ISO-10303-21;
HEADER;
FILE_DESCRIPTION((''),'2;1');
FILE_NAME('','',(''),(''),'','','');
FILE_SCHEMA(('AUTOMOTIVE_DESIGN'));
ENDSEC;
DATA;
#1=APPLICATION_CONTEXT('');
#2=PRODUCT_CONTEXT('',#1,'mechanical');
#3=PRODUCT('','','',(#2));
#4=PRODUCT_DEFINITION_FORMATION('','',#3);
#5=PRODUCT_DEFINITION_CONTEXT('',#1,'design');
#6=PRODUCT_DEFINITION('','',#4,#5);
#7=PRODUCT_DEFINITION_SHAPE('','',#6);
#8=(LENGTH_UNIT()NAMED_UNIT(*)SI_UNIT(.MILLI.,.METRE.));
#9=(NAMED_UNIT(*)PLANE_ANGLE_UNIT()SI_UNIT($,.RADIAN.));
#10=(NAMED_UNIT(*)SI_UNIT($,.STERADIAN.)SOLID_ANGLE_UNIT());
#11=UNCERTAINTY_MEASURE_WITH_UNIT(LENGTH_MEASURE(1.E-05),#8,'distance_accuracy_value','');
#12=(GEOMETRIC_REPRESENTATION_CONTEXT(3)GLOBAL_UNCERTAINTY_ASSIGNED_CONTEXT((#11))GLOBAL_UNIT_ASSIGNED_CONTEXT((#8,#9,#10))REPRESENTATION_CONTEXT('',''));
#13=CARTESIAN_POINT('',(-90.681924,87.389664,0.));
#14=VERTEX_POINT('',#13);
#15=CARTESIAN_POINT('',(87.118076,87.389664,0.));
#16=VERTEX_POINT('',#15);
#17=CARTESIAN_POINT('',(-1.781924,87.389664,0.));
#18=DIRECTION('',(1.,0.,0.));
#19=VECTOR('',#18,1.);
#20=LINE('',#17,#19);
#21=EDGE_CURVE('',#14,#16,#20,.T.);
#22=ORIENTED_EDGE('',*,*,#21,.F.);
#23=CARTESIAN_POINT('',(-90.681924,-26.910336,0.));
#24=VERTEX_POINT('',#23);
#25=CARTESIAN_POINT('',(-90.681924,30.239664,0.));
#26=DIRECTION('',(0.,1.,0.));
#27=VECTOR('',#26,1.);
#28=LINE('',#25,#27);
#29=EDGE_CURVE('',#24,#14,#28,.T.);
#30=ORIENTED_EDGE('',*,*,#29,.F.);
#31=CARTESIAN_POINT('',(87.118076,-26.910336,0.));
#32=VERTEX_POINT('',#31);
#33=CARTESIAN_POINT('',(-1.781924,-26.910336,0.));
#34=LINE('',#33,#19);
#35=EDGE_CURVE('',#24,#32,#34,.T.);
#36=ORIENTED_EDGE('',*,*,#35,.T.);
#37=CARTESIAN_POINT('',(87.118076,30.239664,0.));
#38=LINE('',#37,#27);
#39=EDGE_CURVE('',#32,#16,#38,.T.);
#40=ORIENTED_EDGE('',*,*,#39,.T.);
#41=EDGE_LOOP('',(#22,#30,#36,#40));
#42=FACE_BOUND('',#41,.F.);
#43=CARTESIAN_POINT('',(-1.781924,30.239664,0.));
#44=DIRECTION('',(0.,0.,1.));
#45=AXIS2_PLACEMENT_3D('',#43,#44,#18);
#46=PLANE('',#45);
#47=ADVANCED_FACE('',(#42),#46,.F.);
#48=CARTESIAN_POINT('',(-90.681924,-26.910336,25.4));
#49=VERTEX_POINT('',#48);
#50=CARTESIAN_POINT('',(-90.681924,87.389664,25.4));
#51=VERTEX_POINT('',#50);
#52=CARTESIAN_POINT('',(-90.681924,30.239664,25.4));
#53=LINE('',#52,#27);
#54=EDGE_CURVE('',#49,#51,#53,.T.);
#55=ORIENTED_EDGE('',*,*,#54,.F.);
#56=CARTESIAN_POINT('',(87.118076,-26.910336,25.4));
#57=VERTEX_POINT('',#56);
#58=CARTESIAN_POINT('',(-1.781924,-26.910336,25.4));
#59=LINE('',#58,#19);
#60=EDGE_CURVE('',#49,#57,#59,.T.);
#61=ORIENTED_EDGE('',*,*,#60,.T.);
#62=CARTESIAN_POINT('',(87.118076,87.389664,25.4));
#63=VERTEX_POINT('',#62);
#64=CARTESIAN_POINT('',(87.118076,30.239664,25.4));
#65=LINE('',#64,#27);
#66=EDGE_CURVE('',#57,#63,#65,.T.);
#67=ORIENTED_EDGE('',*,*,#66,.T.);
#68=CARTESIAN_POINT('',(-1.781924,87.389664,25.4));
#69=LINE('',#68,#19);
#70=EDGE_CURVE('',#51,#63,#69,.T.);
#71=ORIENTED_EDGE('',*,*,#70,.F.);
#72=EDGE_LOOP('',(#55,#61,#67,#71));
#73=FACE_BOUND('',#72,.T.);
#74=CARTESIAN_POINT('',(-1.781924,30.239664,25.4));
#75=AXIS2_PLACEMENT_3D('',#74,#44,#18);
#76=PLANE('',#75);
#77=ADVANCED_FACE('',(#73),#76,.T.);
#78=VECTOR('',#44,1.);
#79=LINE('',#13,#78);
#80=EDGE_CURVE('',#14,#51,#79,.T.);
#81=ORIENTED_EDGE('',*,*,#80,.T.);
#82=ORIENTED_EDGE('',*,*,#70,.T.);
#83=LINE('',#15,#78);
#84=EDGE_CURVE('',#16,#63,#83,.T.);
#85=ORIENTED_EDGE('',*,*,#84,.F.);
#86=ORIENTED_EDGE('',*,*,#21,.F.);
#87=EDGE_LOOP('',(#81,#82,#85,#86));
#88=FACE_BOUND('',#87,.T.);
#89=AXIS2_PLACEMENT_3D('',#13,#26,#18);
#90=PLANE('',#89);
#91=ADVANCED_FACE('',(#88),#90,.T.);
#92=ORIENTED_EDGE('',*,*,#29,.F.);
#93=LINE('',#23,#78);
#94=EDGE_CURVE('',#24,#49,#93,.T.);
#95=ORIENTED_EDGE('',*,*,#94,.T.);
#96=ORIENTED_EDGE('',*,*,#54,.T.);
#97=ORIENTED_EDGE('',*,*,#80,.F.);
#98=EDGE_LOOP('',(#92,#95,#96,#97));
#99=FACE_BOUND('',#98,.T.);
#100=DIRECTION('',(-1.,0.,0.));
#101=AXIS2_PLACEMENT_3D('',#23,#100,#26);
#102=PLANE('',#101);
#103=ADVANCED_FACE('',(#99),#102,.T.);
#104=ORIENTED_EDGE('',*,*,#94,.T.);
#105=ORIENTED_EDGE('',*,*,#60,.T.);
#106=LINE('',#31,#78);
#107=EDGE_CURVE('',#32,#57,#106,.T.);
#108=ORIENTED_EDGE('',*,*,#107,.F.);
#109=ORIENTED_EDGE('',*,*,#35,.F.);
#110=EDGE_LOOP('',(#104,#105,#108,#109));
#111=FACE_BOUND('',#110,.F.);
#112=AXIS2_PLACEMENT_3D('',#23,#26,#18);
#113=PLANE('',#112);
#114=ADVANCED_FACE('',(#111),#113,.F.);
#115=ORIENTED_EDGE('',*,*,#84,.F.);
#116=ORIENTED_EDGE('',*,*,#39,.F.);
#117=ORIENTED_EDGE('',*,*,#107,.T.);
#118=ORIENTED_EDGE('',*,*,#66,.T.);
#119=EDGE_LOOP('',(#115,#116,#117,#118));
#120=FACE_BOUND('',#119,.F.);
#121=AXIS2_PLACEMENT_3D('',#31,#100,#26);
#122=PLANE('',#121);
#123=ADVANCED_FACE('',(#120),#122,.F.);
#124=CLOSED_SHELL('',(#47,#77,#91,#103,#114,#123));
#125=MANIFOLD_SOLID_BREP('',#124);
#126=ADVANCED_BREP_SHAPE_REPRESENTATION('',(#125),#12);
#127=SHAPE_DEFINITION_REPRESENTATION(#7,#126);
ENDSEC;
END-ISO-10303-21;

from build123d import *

# Parameters (mm, degrees)
F1_W     = 177.8
F1_H     = 114.3
F2_DEPTH = 25.4


with BuildPart() as f2:
    # F1 (on face) → F2 (new body)
    with BuildSketch(Plane.XY):
        with Locations((-1.781924, 30.239664)):
            Rectangle(F1_W, F1_H)
    extrude(amount=F2_DEPTH)


solid = f2.part
